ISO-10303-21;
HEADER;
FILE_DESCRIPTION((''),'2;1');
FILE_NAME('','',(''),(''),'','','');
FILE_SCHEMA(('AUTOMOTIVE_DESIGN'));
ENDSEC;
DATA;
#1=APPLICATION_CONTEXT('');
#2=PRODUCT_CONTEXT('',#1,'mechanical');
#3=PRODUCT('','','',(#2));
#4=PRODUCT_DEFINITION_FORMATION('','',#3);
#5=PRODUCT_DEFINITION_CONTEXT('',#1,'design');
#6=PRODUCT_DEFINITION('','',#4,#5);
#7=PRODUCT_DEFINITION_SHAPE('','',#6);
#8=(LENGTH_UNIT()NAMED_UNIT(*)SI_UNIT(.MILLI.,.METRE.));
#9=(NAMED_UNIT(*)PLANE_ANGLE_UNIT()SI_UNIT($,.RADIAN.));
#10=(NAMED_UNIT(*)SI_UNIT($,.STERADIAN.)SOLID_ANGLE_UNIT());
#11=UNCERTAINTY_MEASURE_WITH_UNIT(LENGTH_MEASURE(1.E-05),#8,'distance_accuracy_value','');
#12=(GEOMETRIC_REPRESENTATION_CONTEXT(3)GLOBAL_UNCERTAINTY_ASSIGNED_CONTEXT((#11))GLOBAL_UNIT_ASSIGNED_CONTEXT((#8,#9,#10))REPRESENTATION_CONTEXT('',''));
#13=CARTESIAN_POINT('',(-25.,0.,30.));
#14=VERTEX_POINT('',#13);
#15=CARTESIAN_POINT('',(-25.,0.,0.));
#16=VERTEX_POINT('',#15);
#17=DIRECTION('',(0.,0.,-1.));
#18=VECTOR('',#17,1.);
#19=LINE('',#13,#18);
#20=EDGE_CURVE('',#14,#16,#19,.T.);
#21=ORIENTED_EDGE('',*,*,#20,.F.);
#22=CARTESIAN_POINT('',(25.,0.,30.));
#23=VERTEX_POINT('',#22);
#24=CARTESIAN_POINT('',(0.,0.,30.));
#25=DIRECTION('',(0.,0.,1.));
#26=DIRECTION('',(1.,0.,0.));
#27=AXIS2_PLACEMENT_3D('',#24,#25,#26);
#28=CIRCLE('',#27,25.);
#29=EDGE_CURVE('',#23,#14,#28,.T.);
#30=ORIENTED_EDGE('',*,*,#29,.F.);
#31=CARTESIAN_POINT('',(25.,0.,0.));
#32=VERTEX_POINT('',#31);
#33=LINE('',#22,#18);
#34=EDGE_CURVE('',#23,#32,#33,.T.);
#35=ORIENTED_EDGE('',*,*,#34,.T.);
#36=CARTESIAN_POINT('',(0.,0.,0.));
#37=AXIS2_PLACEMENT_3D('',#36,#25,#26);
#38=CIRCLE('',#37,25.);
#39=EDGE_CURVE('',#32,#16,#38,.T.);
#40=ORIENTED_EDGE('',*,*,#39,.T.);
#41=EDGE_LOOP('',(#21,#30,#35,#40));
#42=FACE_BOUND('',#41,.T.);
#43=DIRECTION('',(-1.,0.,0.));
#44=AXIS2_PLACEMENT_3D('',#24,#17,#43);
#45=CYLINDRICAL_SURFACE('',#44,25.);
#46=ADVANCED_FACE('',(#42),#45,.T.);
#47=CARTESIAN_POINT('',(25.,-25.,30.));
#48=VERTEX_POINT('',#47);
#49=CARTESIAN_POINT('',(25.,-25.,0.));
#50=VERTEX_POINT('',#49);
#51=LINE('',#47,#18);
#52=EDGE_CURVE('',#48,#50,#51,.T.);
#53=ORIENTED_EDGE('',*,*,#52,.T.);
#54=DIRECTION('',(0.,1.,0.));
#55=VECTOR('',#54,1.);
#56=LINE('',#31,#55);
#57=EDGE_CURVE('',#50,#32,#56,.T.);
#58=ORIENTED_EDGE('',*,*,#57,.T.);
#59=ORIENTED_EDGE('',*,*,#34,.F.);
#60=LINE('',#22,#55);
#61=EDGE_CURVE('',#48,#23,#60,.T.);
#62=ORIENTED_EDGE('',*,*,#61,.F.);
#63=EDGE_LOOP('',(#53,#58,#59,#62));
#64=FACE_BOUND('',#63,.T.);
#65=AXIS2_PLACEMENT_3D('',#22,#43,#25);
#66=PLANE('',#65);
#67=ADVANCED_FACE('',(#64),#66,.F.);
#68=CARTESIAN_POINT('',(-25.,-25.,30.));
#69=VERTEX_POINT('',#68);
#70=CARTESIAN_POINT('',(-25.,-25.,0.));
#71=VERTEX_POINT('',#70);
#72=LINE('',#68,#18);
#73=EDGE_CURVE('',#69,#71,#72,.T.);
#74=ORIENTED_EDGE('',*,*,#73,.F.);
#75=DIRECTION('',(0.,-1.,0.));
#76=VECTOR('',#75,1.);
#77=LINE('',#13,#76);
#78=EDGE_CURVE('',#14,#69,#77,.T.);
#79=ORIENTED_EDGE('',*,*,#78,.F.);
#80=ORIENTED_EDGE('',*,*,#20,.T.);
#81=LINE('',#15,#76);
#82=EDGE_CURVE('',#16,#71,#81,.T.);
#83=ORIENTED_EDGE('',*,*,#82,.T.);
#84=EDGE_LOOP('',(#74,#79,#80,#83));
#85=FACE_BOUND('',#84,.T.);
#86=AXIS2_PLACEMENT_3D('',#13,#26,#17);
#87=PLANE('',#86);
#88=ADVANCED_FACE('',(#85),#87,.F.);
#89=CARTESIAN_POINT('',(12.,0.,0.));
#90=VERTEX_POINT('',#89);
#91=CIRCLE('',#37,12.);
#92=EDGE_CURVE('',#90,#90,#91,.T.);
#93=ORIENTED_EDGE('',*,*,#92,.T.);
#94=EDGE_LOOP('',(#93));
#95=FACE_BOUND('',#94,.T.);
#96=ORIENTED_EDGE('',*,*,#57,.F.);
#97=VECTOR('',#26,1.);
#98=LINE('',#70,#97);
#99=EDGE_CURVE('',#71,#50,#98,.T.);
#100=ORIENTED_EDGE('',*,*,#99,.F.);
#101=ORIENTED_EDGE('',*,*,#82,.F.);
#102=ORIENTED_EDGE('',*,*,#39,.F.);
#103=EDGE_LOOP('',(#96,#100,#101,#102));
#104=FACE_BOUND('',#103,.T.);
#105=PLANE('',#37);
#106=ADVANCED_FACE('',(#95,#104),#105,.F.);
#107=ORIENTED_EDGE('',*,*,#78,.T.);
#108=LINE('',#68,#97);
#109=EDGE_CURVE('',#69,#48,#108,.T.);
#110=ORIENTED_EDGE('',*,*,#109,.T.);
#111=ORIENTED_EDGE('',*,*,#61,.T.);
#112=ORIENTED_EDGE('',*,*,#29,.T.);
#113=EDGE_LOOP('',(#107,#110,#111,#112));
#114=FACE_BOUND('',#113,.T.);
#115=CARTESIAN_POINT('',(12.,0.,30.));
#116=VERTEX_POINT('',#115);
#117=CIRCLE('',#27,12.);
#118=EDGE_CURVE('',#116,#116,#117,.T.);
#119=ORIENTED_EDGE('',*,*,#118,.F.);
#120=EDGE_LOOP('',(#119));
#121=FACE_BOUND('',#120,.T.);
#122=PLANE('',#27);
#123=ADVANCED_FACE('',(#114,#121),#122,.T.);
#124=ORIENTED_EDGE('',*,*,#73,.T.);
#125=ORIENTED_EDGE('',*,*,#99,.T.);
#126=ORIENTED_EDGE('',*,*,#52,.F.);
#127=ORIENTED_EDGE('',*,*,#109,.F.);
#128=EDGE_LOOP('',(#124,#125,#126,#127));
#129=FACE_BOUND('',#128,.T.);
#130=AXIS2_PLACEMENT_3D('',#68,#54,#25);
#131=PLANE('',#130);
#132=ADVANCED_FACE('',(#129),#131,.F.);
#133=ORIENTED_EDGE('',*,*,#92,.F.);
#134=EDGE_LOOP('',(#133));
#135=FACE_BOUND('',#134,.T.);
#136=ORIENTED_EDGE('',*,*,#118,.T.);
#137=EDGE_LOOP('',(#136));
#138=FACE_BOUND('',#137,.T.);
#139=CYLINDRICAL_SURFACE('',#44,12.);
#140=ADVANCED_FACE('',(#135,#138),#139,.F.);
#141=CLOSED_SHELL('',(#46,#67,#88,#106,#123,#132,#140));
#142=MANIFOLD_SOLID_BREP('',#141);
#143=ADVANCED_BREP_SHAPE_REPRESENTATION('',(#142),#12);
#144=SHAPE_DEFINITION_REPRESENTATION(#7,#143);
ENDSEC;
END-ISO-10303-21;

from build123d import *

# Parameters (mm, degrees)
SKETCH_1_R      = 12
EXTRUDE_1_DEPTH = 30


with BuildPart() as part:
    # 草图1 → 凸台-拉伸1 (new body)
    with BuildSketch(Plane.XY):
        with BuildLine():
            Line((-25, 0), (-25, -25))
            Line((-25, -25), (25, -25))
            Line((25, -25), (25, 0))
            ThreePointArc((25, 0), (0, 25), (-25, 0))
        make_face()
        Circle(SKETCH_1_R, mode=Mode.SUBTRACT)
    extrude(amount=EXTRUDE_1_DEPTH)


solid = part.part
